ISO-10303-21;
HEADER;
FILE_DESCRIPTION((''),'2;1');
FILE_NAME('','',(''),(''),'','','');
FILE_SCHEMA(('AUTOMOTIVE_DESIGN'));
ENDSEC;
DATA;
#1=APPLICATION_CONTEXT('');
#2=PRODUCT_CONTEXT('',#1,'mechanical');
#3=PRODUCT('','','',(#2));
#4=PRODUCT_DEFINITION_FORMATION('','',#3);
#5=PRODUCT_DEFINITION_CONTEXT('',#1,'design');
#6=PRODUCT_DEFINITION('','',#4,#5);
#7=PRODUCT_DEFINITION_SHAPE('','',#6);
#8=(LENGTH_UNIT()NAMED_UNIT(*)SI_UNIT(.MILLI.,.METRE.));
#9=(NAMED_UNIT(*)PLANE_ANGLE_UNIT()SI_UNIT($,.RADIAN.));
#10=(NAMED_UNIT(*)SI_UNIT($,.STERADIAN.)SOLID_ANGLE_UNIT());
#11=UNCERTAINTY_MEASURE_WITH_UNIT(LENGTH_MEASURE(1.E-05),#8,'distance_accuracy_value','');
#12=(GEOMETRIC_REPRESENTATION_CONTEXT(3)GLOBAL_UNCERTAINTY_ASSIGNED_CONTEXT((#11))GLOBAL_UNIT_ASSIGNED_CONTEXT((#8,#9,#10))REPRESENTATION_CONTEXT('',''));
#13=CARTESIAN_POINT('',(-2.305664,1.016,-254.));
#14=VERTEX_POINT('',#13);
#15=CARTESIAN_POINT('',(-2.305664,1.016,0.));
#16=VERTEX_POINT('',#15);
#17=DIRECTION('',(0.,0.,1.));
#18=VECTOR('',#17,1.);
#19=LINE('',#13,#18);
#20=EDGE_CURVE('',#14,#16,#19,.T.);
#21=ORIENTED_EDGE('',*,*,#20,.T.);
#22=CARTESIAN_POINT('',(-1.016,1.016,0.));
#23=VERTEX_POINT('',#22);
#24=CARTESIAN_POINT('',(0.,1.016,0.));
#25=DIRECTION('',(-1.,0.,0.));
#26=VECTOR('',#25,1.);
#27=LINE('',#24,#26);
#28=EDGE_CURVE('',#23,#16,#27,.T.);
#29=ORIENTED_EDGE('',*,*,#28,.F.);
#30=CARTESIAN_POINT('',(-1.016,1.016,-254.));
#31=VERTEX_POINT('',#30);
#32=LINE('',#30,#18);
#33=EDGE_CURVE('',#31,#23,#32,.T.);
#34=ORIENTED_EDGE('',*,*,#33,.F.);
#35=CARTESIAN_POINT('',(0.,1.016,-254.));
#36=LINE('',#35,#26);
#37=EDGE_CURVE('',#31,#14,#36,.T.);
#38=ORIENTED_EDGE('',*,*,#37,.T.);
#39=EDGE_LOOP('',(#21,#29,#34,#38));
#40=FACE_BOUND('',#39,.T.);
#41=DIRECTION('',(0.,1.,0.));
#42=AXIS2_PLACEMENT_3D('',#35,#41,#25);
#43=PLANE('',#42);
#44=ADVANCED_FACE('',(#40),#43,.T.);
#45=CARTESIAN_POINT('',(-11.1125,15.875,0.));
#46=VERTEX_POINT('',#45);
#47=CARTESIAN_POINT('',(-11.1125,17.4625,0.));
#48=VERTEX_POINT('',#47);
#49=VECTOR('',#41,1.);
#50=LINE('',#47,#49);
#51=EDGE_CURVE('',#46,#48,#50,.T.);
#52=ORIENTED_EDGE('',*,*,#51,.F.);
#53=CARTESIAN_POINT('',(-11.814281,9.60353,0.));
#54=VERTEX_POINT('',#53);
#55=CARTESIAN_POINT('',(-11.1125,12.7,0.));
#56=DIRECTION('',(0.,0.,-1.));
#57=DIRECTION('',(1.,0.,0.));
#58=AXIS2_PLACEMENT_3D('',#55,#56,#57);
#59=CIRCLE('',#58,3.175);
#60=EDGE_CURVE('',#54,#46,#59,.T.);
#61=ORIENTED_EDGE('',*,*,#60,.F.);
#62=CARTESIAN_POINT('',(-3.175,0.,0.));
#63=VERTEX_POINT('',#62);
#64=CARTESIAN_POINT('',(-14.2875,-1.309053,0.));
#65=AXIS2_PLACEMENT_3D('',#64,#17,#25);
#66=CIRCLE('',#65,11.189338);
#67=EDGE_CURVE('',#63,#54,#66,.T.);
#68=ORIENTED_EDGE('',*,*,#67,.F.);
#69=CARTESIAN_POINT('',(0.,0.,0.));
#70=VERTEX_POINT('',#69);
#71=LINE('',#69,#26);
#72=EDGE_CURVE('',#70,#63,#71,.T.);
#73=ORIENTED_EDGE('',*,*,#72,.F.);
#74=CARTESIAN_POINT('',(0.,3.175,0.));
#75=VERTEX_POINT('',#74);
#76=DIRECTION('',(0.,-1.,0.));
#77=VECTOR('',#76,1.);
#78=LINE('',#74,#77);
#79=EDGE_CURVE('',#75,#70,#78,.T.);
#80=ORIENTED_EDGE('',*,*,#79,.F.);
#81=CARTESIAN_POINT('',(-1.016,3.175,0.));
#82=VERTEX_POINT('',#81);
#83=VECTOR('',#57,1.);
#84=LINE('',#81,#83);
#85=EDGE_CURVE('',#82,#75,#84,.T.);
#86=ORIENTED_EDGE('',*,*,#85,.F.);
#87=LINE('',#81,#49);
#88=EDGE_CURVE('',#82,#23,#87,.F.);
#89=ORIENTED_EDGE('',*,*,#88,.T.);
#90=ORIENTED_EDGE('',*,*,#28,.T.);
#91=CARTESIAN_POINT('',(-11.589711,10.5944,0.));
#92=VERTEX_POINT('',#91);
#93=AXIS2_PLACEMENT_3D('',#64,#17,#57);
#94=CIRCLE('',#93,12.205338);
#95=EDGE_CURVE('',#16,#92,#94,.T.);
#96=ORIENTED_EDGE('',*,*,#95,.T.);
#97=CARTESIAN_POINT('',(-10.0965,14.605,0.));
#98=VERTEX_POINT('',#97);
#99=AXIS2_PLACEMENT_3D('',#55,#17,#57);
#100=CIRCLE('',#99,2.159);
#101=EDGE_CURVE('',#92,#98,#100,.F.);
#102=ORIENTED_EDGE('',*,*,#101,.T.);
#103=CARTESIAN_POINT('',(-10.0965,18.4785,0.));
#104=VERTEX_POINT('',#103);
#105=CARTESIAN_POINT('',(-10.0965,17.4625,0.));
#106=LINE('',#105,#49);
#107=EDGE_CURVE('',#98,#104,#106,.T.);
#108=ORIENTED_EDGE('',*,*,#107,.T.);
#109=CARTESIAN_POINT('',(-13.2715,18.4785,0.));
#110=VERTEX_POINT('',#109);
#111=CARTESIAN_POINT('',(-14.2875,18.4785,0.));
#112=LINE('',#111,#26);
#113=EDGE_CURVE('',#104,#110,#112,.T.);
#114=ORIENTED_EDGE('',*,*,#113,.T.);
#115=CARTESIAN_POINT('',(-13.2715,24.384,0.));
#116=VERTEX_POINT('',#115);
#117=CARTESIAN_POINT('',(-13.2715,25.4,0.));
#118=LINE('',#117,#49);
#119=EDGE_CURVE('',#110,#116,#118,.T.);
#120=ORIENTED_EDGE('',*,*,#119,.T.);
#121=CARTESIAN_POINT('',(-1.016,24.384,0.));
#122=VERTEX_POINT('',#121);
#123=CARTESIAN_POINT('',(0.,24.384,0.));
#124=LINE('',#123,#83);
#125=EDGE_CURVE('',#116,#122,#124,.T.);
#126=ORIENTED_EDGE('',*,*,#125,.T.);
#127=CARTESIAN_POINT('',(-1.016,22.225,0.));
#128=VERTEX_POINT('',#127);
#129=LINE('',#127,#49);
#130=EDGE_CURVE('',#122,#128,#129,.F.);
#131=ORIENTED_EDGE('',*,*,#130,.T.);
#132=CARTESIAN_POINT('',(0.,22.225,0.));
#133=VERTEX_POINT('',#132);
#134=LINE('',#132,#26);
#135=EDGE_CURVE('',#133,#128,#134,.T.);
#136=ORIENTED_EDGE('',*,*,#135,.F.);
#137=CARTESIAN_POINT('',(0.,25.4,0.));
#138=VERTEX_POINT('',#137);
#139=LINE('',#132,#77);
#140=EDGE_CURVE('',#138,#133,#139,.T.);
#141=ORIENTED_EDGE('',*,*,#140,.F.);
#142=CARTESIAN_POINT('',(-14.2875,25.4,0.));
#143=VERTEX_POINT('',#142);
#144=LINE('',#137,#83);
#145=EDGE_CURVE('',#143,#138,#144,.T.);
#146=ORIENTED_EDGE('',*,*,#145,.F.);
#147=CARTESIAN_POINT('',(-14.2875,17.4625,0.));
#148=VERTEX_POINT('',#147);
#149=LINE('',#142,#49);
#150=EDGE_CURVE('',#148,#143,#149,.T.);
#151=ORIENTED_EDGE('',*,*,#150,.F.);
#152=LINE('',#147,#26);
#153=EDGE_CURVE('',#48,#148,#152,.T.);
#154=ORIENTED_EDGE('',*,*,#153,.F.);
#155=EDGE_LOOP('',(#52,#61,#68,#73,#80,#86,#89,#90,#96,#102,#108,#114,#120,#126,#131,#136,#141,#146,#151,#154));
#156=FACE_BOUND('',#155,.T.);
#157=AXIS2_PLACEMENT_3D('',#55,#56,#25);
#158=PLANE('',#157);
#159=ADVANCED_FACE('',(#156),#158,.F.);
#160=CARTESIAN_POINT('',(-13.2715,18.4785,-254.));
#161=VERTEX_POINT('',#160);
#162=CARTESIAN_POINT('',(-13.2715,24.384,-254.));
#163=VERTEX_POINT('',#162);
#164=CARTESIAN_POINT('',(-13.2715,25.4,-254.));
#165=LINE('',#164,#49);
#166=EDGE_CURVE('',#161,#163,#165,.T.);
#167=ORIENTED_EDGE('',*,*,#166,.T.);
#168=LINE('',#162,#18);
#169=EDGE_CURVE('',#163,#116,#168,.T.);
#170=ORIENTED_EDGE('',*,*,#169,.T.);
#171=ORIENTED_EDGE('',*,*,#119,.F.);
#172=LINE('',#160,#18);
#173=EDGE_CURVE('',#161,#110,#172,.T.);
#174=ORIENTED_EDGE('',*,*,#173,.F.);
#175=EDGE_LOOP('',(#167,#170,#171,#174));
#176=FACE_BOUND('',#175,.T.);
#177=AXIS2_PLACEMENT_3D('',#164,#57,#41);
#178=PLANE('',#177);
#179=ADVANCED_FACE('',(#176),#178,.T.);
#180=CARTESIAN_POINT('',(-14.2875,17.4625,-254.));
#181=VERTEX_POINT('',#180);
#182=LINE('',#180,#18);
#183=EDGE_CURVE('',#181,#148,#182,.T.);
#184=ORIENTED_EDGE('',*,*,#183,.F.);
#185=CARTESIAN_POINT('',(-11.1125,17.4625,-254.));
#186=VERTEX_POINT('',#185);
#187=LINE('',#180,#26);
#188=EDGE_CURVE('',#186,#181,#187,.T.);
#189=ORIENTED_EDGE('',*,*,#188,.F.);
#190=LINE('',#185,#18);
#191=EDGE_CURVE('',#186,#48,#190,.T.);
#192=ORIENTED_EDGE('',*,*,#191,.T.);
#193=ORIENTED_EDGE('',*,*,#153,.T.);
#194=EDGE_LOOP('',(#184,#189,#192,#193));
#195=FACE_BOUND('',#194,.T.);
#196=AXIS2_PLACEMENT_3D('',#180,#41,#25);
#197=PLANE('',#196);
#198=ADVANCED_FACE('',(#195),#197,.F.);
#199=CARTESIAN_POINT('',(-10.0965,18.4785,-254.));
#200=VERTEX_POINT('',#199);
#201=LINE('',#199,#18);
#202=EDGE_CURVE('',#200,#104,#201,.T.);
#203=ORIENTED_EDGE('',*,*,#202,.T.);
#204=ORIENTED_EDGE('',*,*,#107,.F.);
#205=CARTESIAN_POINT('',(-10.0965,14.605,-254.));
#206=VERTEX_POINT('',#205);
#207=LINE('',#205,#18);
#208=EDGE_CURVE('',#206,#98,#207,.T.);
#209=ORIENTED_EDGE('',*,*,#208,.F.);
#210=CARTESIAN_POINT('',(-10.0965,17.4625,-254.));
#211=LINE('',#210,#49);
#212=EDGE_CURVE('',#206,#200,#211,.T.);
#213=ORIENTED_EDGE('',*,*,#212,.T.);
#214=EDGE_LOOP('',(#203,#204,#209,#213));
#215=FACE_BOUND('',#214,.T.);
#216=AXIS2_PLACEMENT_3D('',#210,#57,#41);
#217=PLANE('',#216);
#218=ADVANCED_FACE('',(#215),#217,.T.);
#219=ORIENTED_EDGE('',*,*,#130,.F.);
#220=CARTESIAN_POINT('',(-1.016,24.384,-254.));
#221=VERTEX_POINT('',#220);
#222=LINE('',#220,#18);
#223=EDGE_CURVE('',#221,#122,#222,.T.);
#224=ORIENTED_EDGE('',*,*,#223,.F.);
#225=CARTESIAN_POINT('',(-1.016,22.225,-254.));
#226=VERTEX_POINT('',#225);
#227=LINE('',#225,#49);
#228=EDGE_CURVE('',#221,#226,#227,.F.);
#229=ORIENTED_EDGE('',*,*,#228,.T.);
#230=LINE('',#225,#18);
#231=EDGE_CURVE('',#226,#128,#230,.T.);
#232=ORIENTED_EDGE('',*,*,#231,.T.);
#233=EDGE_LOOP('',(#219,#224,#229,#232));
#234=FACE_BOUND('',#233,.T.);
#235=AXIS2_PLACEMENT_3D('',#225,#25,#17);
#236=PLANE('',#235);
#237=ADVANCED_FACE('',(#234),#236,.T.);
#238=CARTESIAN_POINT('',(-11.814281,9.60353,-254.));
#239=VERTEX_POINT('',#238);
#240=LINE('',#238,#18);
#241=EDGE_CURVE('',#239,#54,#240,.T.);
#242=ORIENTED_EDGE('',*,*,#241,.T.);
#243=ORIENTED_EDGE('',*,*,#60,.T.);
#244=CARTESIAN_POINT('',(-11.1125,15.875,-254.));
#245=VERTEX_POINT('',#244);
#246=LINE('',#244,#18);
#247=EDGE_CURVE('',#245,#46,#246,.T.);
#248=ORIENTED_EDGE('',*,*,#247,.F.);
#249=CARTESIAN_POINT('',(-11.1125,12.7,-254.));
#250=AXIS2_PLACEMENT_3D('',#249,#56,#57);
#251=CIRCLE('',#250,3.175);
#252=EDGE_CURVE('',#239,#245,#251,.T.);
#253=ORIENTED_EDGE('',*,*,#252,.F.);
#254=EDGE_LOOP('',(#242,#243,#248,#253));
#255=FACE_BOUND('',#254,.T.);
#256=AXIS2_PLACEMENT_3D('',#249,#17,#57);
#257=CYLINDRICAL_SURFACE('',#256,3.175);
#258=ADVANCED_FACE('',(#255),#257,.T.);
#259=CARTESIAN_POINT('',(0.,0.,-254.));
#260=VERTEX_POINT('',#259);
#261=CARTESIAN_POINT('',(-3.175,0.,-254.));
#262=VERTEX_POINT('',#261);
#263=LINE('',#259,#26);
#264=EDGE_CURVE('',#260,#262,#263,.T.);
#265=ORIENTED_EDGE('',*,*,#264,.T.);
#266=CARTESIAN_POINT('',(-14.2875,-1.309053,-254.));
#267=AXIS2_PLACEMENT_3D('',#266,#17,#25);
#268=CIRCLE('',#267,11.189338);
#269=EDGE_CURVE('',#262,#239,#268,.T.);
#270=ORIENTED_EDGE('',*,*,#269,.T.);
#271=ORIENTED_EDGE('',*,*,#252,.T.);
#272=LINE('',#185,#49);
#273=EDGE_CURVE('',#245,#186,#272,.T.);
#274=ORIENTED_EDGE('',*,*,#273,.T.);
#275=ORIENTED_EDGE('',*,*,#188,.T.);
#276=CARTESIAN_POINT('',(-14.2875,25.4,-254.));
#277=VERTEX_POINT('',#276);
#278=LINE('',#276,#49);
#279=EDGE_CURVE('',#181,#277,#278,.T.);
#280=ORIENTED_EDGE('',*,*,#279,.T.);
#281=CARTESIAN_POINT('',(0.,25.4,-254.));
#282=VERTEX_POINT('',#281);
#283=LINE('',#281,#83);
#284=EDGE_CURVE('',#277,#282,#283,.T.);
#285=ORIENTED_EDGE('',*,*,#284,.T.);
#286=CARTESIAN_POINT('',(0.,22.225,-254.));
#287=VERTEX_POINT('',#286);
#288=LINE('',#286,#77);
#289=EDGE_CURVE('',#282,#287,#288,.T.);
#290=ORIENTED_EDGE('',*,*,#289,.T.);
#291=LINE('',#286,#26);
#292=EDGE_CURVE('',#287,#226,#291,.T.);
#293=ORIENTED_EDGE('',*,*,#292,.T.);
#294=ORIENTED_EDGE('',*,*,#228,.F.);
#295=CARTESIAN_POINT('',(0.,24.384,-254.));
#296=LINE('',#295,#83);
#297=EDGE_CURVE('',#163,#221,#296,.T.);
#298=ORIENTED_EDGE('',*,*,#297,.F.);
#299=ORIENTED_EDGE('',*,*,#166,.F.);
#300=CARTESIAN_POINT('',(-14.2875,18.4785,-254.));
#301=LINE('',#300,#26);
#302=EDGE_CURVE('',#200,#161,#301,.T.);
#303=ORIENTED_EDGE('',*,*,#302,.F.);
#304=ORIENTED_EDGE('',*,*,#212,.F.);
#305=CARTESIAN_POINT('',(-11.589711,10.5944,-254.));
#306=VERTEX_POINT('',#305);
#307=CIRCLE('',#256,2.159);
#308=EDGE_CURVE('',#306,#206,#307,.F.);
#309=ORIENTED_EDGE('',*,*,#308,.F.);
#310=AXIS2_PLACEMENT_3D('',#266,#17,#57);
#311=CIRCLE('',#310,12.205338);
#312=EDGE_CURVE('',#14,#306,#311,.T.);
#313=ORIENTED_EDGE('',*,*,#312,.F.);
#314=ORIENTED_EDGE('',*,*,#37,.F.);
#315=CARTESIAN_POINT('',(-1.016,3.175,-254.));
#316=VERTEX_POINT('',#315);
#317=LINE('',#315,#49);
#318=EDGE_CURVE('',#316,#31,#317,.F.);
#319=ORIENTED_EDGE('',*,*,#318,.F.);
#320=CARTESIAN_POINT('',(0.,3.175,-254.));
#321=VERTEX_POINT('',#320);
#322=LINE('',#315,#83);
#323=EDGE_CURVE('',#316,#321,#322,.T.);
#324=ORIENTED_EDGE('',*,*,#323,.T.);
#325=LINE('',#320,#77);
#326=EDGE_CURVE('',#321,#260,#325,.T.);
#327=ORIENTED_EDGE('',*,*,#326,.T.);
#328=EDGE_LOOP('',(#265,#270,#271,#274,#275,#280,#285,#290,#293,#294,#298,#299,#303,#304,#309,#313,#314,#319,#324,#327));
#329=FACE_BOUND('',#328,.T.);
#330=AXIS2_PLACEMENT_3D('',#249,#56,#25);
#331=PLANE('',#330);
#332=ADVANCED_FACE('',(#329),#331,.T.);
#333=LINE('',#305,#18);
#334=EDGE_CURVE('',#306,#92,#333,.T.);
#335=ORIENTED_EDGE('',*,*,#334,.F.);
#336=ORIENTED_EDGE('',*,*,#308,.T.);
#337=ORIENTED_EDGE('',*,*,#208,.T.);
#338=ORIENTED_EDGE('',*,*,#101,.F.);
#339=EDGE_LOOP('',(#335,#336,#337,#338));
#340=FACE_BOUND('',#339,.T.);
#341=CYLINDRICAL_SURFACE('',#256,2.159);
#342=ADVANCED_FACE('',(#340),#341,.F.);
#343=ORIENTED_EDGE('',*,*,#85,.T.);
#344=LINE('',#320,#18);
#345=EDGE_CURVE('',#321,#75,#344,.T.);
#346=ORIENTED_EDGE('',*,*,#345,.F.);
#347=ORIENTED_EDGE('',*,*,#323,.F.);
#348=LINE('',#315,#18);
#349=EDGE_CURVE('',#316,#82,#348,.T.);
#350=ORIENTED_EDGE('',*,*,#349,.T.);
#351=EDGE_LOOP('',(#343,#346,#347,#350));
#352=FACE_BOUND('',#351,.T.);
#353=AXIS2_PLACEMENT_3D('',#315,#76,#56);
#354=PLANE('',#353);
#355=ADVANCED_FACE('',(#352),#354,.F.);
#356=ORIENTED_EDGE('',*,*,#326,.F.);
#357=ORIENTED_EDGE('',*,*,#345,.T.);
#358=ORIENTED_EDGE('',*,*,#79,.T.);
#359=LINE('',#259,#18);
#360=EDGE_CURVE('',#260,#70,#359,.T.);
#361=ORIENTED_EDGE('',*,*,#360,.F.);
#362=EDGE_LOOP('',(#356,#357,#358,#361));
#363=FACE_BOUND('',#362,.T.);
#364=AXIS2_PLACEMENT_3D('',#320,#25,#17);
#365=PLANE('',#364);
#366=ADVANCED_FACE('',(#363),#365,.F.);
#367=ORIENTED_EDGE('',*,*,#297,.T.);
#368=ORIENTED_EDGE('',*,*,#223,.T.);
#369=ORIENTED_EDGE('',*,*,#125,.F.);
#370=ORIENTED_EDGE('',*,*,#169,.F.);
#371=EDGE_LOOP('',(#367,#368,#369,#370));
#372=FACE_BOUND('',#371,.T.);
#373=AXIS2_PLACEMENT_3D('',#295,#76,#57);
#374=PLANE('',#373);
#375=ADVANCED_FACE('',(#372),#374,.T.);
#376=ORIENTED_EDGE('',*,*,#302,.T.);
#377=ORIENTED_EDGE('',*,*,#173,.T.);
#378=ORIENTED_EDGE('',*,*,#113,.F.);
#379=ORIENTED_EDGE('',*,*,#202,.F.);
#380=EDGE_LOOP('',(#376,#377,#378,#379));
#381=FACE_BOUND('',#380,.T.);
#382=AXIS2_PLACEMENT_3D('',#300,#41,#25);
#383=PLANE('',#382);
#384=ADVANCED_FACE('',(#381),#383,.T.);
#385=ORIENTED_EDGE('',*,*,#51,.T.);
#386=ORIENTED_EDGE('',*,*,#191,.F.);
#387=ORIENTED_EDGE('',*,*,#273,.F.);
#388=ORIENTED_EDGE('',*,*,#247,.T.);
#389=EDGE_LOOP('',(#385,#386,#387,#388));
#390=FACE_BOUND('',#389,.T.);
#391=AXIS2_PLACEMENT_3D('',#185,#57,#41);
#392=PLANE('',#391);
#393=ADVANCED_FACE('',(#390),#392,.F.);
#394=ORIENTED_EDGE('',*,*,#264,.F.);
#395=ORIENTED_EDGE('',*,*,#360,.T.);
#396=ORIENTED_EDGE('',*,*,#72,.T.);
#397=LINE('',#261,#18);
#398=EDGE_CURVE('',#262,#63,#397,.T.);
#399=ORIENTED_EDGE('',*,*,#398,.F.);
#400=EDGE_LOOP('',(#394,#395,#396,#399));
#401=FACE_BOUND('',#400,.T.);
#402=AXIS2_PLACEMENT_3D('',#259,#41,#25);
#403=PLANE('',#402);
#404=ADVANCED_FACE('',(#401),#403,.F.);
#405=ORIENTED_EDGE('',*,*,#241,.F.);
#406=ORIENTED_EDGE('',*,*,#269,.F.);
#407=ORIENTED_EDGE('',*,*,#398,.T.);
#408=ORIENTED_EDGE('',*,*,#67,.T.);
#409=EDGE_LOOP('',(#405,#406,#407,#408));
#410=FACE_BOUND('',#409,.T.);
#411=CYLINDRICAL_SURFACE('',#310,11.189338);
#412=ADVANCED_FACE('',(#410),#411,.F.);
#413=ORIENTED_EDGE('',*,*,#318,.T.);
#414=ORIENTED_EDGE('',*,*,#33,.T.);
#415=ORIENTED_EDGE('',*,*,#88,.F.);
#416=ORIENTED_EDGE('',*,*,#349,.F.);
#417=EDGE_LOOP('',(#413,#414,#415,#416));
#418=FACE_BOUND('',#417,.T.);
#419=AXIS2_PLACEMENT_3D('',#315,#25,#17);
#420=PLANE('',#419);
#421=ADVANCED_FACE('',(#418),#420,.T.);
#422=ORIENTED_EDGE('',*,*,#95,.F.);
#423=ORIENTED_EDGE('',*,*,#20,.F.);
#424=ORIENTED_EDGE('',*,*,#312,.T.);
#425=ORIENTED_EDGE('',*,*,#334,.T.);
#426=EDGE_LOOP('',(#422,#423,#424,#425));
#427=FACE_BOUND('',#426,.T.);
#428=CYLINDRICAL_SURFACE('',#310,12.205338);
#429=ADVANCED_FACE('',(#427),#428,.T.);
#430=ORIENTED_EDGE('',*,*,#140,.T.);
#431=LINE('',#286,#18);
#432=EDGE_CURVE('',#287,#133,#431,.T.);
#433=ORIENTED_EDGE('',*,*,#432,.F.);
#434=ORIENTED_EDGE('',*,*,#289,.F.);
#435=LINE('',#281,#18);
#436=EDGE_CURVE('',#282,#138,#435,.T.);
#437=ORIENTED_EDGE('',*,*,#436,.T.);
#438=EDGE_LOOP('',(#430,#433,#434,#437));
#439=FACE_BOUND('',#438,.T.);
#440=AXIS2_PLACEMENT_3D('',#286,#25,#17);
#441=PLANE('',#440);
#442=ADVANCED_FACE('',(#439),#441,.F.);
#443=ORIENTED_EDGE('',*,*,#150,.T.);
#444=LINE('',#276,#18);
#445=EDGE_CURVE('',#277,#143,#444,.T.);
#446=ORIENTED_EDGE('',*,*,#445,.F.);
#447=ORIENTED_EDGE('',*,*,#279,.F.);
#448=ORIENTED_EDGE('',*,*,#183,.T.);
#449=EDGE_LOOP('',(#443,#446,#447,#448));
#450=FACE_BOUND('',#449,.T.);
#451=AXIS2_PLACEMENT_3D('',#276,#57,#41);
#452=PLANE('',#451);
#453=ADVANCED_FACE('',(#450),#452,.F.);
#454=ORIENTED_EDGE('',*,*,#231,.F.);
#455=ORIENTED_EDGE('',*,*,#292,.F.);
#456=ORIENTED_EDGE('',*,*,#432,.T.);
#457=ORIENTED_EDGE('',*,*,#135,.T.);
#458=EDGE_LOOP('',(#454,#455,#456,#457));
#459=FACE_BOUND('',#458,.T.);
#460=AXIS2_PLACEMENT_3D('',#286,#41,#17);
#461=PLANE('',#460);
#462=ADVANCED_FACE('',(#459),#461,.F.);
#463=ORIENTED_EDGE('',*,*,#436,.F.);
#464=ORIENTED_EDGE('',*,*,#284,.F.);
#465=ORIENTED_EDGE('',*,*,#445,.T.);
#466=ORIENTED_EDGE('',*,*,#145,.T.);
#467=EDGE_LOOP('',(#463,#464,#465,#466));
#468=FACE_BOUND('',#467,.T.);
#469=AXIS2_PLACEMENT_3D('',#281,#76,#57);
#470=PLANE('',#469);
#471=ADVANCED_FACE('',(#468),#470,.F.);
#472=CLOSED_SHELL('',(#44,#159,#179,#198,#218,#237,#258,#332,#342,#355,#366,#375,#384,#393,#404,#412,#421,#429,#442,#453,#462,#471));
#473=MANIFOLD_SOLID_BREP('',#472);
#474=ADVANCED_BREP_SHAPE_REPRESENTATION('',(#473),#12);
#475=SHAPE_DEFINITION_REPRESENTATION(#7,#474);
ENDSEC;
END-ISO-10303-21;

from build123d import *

# Parameters (mm, degrees)
EXTRUDE_THIN1_DEPTH = 254


with BuildPart() as part:
    # Sketch1 → Extrude-Thin1 (new body)
    with BuildSketch(Plane.XY):
        with BuildLine():
            Line((0, 22.225), (0, 25.4))
            Line((0, 25.4), (-14.2875, 25.4))
            Line((-14.2875, 25.4), (-14.2875, 17.4625))
            Line((-14.2875, 17.4625), (-11.1125, 17.4625))
            Line((-11.1125, 17.4625), (-11.1125, 15.875))
            ThreePointArc((-11.1125, 15.875), (-14.26780648, 13.053080749), (-11.814281402, 9.603529774))
            ThreePointArc((-11.814281402, 9.603529774), (-5.968853266, 6.174354687), (-3.175, 0))
            Line((-3.175, 0), (0, 0))
            Line((0, 0), (0, 3.175))
            Line((0, 3.175), (-1.016, 3.175))
            Line((-1.016, 3.175), (-1.016, 1.016))
            Line((-1.016, 1.016), (-2.305663985, 1.016))
            ThreePointArc((-2.305663985, 1.016), (-5.523409467, 7.185708972), (-11.589711354, 10.594400246))
            ThreePointArc((-11.589711354, 10.594400246), (-13.135814335, 13.453312752), (-10.0965, 14.605))
            Line((-10.0965, 14.605), (-10.0965, 18.4785))
            Line((-10.0965, 18.4785), (-13.2715, 18.4785))
            Line((-13.2715, 18.4785), (-13.2715, 24.384))
            Line((-13.2715, 24.384), (-1.016, 24.384))
            Line((-1.016, 24.384), (-1.016, 22.225))
            Line((-1.016, 22.225), (0, 22.225))
        make_face()
    extrude(amount=-EXTRUDE_THIN1_DEPTH)


solid = part.part
